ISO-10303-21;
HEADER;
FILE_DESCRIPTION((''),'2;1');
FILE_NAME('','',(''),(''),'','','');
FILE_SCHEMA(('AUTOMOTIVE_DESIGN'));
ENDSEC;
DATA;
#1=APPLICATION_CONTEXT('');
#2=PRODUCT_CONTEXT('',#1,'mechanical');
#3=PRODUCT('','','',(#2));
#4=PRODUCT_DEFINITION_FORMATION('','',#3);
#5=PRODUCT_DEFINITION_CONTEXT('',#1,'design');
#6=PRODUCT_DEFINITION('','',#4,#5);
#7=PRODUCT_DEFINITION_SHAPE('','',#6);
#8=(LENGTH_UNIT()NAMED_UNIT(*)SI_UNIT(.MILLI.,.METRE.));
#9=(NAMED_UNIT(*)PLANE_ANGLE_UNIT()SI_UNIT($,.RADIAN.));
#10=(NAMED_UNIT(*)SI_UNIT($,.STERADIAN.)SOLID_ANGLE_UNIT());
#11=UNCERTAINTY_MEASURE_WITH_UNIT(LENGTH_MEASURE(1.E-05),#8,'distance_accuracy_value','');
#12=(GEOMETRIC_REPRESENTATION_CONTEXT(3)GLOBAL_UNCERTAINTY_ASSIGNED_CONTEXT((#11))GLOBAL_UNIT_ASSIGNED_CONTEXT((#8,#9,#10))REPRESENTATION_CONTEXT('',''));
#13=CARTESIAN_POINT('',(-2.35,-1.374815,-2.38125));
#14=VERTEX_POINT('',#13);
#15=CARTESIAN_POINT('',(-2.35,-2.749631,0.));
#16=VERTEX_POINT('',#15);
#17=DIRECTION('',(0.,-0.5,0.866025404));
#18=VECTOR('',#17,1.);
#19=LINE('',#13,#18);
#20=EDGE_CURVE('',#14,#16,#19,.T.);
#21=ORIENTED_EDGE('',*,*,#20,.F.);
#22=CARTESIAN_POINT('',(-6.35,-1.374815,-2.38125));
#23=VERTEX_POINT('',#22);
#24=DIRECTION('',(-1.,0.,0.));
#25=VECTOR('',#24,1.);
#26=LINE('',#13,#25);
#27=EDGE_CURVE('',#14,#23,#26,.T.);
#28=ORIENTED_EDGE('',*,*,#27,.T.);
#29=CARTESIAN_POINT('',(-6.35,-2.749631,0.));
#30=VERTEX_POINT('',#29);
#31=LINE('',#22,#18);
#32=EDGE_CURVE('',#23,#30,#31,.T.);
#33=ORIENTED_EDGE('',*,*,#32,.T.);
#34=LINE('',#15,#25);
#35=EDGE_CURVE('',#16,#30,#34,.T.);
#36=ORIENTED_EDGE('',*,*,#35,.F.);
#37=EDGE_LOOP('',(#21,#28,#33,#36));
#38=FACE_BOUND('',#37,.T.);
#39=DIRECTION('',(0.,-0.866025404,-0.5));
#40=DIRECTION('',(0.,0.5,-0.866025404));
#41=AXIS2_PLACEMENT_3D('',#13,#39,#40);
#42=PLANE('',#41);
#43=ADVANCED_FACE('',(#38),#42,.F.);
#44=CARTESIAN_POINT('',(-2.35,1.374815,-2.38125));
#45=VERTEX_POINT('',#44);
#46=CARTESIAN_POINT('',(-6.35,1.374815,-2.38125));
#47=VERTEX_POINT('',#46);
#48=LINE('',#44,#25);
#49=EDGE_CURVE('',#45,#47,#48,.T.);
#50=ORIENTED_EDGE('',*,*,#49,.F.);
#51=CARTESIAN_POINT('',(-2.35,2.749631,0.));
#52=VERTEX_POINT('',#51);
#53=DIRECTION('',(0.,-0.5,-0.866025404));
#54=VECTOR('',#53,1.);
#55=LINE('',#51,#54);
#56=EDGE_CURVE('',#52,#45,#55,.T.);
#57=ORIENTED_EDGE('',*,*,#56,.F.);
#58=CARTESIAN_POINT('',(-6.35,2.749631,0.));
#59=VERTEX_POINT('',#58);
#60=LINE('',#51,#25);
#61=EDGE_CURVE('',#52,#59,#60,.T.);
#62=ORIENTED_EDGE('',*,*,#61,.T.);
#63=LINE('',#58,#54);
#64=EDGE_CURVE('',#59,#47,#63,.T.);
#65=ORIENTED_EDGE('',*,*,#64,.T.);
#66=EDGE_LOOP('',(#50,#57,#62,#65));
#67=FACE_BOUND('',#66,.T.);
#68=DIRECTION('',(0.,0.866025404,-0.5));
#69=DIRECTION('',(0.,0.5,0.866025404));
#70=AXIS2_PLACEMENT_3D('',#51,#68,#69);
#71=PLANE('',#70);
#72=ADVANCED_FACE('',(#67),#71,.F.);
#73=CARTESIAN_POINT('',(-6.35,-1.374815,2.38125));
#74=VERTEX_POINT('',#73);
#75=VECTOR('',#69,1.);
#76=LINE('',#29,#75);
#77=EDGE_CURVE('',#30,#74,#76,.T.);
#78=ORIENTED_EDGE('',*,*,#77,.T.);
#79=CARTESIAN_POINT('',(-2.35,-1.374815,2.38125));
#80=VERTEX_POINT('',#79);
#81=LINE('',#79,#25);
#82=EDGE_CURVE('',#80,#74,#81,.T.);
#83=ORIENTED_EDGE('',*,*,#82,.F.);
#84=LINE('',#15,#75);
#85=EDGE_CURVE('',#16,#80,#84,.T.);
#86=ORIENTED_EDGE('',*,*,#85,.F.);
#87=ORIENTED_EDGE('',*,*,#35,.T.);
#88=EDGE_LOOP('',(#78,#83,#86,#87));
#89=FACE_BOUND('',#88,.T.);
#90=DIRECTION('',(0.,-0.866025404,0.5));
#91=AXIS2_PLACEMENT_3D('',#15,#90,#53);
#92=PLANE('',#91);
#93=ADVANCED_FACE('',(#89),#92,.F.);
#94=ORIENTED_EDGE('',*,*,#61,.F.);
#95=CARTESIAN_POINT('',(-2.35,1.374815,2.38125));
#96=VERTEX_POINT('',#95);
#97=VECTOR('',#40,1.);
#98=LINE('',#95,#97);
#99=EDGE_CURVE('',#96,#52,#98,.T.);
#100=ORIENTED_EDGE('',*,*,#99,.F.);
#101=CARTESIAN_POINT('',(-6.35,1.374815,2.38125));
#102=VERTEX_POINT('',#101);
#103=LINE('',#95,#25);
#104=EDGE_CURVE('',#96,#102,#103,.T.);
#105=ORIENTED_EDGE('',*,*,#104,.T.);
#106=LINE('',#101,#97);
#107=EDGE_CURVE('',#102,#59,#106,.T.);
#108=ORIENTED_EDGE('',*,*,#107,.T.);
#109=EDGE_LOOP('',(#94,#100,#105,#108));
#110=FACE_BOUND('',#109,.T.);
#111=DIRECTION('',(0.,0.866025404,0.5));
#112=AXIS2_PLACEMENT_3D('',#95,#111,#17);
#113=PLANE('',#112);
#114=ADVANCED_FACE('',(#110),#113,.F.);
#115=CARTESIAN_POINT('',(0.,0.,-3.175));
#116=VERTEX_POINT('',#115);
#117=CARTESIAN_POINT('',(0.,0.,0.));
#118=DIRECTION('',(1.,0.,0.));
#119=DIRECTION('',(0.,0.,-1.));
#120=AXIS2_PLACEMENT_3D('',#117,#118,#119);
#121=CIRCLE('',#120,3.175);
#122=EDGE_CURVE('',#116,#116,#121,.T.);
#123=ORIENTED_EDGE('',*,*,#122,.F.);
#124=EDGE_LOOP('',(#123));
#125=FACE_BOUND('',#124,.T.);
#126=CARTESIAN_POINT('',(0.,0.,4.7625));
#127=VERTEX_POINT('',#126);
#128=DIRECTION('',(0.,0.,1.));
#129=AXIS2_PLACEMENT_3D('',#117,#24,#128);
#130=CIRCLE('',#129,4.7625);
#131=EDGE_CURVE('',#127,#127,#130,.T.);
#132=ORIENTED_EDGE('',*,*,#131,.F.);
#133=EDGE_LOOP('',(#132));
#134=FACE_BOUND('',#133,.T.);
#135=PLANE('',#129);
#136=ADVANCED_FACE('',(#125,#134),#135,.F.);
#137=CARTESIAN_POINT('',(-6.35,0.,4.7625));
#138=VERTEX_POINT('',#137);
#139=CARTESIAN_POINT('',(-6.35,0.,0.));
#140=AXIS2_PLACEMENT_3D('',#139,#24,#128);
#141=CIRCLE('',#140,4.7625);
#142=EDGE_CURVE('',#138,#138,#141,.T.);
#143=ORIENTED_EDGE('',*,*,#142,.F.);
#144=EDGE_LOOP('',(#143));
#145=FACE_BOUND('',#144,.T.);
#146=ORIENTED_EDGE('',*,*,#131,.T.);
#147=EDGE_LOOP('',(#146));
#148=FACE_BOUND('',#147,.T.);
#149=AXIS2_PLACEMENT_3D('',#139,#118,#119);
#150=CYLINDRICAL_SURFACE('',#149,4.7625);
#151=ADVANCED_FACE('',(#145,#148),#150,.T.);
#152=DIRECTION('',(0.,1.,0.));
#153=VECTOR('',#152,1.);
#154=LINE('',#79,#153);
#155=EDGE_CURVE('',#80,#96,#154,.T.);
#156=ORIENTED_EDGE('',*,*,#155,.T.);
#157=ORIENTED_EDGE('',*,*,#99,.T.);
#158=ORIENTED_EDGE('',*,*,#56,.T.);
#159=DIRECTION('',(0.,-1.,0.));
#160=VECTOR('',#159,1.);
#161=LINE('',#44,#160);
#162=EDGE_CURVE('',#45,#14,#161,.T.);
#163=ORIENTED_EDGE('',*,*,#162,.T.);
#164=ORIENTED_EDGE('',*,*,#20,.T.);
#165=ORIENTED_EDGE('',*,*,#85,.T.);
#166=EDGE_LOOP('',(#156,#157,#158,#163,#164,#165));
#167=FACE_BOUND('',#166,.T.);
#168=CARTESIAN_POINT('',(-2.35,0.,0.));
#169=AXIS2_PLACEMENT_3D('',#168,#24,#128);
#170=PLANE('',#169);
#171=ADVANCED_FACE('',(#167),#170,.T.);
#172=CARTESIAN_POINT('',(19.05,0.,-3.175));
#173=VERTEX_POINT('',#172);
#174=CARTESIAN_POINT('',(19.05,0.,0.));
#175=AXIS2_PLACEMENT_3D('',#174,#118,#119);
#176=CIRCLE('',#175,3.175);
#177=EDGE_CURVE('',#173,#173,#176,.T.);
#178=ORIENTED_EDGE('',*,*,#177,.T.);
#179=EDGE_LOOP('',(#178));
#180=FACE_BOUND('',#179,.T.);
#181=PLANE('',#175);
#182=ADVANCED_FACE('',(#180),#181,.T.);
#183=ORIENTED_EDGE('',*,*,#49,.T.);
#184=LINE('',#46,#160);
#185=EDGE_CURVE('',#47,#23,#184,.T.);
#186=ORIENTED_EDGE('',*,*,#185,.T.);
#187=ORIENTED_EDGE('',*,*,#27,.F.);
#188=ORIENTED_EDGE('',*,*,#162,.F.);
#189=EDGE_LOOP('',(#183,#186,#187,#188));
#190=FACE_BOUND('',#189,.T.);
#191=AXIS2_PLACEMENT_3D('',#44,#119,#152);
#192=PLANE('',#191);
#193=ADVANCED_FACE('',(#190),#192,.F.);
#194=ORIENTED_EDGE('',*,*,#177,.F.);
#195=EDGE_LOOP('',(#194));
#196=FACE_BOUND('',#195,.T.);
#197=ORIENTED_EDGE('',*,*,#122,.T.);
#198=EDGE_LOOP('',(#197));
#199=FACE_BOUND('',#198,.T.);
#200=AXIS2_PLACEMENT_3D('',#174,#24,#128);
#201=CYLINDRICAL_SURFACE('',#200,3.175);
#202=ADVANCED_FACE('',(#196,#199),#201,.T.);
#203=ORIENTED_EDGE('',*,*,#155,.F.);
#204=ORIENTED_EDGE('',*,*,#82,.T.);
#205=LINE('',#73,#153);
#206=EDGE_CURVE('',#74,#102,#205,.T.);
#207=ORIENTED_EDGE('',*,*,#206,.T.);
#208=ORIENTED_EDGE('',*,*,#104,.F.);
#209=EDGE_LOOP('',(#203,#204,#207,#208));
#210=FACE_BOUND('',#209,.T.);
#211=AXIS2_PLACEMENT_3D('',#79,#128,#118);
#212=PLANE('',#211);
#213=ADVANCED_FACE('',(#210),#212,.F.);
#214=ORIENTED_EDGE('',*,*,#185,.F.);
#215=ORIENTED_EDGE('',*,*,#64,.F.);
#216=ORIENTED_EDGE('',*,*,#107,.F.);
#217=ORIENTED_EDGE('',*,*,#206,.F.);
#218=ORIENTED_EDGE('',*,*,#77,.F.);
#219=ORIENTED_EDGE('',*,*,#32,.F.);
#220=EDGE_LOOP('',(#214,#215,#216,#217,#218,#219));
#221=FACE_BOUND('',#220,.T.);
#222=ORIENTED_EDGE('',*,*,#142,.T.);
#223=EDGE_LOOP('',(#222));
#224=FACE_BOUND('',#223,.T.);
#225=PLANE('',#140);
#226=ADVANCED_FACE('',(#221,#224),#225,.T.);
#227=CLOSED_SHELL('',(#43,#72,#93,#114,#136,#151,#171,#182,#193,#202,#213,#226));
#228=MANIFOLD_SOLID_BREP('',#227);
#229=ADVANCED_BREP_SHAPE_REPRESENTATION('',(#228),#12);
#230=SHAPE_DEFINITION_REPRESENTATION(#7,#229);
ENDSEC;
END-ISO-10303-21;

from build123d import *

# Parameters (mm, degrees)
SKETCH1_R             = 3.175
THREADED_SCREW_DEPTH  = 19.05
SKETCH2_R             = 4.7625
ROUND_HEAD_DEPTH      = 6.35
HEX_SOCKET_SIZE_DEPTH = 4


with BuildPart() as part:
    # Sketch1 → Threaded_Screw (new body)
    with BuildSketch(Plane(origin=(0, 0, 0), x_dir=(0, 0, -1), z_dir=(1, 0, 0))):
        Circle(SKETCH1_R)
    extrude(amount=THREADED_SCREW_DEPTH)

    # Sketch2 → Round_Head (add)
    with BuildSketch(Plane.ZY):
        Circle(SKETCH2_R)
    extrude(amount=ROUND_HEAD_DEPTH)

    # Sketch3 → Hex_Socket_Size (cut)
    with BuildSketch(Plane.ZY.offset(6.35)):
        Polygon((2.38125, -1.374815329), (2.38125, 1.374815329), (0, 2.749630657), (-2.38125, 1.374815329), (-2.38125, -1.374815329), (0, -2.749630657), align=None)
    extrude(amount=-HEX_SOCKET_SIZE_DEPTH, mode=Mode.SUBTRACT)


solid = part.part
